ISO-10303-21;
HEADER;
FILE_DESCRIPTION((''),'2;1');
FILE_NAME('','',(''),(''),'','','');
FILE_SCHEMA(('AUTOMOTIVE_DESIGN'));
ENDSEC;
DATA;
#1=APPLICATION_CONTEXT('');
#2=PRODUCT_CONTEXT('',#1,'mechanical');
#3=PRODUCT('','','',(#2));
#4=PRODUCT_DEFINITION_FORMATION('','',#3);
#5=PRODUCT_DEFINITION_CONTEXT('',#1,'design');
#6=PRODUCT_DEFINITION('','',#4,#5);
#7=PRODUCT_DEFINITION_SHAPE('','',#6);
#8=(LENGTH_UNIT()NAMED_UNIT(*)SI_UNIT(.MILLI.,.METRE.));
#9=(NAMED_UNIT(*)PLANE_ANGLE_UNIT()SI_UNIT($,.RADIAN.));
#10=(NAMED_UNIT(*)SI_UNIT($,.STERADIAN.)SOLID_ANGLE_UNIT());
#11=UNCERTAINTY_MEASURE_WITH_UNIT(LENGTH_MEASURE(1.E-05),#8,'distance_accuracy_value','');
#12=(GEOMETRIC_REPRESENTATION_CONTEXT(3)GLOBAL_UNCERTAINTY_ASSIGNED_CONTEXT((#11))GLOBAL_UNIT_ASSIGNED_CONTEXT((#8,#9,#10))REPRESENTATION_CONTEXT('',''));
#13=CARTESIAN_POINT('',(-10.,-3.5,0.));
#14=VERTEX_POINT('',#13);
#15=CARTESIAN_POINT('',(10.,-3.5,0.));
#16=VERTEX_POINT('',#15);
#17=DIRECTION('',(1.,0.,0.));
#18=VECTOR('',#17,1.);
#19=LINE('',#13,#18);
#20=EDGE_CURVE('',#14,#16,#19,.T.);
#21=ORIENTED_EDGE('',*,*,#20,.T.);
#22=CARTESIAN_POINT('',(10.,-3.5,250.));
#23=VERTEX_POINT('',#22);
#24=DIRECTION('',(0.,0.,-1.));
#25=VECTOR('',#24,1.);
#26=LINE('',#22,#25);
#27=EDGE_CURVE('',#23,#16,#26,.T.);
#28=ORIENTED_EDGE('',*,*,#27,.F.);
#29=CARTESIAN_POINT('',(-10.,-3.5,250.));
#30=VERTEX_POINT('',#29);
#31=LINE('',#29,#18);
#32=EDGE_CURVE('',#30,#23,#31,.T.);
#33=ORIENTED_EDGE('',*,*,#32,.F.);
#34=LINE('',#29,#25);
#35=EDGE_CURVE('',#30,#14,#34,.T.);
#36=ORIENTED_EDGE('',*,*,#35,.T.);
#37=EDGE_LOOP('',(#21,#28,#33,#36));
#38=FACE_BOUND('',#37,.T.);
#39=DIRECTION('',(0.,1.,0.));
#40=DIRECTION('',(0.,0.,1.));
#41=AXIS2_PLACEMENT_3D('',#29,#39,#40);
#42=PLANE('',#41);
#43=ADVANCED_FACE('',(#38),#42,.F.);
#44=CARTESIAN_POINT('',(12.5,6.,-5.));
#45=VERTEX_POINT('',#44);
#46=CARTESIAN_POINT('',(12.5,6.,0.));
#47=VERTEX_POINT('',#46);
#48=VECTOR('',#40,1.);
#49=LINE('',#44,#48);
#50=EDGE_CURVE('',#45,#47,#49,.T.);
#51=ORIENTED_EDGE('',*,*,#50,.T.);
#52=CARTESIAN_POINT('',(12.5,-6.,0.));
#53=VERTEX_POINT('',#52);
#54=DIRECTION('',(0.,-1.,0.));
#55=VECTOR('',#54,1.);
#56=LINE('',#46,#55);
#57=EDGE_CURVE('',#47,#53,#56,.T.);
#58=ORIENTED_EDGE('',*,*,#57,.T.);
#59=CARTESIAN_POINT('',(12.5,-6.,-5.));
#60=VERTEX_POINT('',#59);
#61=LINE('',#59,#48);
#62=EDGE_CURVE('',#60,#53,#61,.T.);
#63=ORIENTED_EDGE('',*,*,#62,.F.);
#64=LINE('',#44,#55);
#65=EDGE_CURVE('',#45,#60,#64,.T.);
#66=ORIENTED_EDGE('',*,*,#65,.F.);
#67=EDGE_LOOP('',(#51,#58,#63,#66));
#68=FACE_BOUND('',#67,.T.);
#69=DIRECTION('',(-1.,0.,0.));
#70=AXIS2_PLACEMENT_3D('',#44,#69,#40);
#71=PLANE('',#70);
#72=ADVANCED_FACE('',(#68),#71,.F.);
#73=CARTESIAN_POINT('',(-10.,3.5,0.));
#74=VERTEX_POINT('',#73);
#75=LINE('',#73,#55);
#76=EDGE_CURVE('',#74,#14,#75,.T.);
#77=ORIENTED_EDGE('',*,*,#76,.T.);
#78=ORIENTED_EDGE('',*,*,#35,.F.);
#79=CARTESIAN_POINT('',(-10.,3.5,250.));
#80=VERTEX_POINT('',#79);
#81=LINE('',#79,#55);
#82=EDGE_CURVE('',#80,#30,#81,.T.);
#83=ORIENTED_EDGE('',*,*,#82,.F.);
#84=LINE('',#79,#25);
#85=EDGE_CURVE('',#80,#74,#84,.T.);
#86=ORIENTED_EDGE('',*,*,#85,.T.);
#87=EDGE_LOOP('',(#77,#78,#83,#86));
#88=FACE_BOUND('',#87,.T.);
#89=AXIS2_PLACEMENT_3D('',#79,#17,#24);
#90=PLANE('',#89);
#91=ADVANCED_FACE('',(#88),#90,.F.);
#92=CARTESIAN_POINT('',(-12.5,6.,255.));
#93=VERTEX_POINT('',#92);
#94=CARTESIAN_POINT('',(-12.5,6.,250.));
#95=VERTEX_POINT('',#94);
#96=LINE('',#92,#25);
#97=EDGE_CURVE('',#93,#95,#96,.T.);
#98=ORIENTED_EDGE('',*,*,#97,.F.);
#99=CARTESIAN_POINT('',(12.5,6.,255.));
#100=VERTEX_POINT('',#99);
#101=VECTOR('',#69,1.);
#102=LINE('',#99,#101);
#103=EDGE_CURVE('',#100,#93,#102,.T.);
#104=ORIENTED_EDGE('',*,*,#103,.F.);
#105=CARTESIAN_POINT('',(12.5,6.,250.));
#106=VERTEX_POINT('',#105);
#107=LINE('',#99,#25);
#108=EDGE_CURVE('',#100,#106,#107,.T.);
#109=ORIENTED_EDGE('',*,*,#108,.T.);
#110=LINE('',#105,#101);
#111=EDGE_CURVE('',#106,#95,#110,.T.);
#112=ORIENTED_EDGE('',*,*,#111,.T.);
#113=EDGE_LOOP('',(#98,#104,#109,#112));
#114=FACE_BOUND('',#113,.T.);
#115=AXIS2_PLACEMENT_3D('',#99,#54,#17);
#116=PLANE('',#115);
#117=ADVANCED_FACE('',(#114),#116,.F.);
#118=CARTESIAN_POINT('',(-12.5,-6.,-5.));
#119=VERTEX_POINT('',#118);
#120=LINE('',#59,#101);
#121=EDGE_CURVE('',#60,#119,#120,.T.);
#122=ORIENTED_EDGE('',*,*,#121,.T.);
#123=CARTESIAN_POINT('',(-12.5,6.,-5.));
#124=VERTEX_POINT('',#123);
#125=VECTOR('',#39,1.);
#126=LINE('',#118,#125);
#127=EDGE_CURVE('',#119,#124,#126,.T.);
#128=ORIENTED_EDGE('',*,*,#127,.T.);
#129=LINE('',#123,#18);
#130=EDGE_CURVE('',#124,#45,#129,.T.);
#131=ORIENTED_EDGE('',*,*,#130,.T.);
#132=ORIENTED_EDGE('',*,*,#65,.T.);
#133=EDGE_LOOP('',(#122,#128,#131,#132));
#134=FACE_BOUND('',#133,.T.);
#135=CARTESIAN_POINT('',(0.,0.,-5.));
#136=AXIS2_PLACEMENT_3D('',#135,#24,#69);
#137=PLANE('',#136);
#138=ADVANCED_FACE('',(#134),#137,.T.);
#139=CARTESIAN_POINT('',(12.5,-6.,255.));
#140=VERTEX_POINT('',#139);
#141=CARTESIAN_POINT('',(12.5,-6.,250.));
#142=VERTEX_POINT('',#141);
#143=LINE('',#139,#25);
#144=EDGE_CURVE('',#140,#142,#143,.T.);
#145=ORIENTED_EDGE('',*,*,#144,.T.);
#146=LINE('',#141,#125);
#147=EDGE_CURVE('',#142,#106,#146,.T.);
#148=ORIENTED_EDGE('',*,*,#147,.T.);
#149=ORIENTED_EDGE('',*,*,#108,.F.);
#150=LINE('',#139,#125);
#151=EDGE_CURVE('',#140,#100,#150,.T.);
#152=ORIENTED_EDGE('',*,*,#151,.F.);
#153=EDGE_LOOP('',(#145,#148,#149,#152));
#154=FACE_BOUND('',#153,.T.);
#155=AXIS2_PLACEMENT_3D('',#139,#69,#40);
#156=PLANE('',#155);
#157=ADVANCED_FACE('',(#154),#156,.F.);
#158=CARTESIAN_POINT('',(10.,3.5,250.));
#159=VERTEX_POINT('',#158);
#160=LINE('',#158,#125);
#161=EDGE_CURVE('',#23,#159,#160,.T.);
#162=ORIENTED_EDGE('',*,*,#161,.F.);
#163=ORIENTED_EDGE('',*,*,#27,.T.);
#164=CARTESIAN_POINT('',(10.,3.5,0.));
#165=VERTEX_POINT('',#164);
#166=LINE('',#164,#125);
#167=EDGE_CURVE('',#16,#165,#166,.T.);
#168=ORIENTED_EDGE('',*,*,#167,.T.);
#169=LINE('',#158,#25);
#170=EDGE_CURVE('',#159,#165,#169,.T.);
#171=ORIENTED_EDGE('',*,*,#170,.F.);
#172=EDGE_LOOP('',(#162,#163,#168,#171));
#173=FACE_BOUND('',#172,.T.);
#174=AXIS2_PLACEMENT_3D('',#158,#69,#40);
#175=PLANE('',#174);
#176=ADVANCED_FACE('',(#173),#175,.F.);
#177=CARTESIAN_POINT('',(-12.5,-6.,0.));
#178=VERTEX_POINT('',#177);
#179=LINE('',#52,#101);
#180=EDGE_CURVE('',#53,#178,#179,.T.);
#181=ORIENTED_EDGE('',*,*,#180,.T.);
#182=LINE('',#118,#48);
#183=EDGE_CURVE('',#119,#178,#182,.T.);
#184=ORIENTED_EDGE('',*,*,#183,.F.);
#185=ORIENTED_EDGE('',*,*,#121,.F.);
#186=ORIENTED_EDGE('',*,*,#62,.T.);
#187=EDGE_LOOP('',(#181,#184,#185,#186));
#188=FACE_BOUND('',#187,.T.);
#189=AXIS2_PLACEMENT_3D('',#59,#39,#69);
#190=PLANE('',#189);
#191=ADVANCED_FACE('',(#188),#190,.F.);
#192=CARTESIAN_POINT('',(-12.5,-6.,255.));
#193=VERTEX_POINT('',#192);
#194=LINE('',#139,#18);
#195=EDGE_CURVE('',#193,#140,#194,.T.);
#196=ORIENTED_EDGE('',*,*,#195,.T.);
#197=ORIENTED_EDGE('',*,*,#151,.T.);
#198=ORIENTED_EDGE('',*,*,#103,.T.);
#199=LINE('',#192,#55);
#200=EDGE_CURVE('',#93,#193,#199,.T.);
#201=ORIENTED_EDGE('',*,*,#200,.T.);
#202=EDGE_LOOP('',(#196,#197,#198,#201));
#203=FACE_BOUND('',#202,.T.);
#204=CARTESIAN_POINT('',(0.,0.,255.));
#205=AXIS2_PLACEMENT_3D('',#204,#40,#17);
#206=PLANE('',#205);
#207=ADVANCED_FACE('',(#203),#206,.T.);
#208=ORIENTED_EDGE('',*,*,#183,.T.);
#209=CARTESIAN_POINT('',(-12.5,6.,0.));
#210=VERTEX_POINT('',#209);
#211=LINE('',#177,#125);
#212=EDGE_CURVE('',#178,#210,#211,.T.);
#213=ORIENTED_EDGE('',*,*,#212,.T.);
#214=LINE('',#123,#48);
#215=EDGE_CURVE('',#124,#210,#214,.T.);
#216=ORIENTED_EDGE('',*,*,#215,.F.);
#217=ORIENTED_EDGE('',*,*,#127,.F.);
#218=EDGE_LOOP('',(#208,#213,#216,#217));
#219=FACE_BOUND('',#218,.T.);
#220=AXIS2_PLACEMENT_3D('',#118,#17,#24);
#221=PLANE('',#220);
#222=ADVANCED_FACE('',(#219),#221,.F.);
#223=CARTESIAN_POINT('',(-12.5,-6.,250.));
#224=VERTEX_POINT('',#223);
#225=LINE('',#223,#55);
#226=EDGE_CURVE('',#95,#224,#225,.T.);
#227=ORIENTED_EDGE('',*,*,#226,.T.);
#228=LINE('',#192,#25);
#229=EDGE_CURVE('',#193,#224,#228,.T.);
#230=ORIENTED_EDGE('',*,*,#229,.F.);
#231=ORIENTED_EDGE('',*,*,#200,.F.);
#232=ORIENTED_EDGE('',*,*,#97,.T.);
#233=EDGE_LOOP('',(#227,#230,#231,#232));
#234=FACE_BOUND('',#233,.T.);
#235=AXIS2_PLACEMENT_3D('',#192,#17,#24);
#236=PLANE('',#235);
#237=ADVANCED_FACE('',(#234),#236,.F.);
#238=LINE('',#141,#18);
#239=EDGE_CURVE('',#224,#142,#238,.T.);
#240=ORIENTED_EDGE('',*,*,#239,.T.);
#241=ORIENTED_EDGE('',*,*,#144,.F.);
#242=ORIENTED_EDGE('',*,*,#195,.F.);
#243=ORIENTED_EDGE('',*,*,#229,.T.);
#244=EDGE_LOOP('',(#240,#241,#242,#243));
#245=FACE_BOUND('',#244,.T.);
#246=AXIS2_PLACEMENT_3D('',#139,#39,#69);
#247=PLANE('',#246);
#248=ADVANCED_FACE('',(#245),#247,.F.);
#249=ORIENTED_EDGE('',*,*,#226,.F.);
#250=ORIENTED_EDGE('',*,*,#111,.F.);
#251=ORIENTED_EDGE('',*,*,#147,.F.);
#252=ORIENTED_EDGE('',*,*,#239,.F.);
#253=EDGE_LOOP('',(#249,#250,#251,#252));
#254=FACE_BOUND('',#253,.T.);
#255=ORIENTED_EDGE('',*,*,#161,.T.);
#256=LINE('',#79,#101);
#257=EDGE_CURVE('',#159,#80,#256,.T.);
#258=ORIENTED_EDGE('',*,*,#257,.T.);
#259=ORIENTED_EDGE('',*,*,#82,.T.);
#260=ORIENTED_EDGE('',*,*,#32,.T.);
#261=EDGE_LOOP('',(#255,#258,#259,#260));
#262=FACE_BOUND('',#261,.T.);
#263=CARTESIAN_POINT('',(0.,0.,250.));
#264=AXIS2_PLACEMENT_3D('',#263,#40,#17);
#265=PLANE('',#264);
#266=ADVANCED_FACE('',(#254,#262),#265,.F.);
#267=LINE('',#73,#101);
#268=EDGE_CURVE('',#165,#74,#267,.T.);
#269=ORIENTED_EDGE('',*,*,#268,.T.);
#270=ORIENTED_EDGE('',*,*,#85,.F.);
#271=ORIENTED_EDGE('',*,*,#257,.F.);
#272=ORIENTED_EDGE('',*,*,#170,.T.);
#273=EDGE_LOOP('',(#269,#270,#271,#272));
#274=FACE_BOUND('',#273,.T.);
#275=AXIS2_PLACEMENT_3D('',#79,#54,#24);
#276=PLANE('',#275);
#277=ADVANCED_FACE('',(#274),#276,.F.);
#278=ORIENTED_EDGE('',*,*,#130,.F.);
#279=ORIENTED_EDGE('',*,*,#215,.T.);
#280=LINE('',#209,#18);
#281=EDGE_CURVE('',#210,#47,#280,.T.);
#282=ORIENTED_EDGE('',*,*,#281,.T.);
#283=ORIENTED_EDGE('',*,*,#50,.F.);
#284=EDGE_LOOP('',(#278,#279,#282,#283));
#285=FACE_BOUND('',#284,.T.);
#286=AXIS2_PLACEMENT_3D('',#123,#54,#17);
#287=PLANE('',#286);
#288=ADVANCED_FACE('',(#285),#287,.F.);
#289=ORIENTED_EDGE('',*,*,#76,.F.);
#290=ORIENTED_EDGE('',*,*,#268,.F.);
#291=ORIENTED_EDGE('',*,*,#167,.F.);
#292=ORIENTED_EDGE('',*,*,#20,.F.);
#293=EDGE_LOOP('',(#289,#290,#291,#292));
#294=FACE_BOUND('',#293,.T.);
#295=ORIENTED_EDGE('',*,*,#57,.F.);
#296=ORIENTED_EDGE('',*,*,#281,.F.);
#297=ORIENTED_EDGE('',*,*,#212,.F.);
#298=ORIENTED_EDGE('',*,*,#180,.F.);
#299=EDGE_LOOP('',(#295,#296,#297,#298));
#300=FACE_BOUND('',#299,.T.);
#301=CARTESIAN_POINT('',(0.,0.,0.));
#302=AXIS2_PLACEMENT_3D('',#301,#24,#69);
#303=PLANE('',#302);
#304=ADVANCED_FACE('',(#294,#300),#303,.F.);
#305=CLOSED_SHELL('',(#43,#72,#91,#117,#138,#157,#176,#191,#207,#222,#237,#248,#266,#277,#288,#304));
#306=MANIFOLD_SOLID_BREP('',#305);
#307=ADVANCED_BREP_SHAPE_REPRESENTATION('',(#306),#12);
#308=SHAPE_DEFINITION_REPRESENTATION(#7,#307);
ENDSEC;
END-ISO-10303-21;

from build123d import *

# Parameters (mm, degrees)
SKETCH_1_W      = 20
SKETCH_1_H      = 7
EXTRUDE_1_DEPTH = 250
SKETCH_2_W      = 25
SKETCH_2_H      = 12
EXTRUDE_2_DEPTH = 5
SKETCH_3_W      = 25
SKETCH_3_H      = 12
EXTRUDE_3_DEPTH = 5


with BuildPart() as part:
    # 草图1 → 凸台-拉伸1 (new body)
    with BuildSketch(Plane.XY):
        Rectangle(SKETCH_1_W, SKETCH_1_H)
    extrude(amount=EXTRUDE_1_DEPTH)

    # 草图2 → 凸台-拉伸2 (add)
    with BuildSketch(Plane.XY.offset(250)):
        Rectangle(SKETCH_2_W, SKETCH_2_H)
    extrude(amount=EXTRUDE_2_DEPTH)

    # 草图3 → 凸台-拉伸3 (add)
    with BuildSketch(Plane(origin=(0, 0, 0), x_dir=(-1, 0, 0), z_dir=(0, 0, -1))):
        Rectangle(SKETCH_3_W, SKETCH_3_H)
    extrude(amount=EXTRUDE_3_DEPTH)


solid = part.part
